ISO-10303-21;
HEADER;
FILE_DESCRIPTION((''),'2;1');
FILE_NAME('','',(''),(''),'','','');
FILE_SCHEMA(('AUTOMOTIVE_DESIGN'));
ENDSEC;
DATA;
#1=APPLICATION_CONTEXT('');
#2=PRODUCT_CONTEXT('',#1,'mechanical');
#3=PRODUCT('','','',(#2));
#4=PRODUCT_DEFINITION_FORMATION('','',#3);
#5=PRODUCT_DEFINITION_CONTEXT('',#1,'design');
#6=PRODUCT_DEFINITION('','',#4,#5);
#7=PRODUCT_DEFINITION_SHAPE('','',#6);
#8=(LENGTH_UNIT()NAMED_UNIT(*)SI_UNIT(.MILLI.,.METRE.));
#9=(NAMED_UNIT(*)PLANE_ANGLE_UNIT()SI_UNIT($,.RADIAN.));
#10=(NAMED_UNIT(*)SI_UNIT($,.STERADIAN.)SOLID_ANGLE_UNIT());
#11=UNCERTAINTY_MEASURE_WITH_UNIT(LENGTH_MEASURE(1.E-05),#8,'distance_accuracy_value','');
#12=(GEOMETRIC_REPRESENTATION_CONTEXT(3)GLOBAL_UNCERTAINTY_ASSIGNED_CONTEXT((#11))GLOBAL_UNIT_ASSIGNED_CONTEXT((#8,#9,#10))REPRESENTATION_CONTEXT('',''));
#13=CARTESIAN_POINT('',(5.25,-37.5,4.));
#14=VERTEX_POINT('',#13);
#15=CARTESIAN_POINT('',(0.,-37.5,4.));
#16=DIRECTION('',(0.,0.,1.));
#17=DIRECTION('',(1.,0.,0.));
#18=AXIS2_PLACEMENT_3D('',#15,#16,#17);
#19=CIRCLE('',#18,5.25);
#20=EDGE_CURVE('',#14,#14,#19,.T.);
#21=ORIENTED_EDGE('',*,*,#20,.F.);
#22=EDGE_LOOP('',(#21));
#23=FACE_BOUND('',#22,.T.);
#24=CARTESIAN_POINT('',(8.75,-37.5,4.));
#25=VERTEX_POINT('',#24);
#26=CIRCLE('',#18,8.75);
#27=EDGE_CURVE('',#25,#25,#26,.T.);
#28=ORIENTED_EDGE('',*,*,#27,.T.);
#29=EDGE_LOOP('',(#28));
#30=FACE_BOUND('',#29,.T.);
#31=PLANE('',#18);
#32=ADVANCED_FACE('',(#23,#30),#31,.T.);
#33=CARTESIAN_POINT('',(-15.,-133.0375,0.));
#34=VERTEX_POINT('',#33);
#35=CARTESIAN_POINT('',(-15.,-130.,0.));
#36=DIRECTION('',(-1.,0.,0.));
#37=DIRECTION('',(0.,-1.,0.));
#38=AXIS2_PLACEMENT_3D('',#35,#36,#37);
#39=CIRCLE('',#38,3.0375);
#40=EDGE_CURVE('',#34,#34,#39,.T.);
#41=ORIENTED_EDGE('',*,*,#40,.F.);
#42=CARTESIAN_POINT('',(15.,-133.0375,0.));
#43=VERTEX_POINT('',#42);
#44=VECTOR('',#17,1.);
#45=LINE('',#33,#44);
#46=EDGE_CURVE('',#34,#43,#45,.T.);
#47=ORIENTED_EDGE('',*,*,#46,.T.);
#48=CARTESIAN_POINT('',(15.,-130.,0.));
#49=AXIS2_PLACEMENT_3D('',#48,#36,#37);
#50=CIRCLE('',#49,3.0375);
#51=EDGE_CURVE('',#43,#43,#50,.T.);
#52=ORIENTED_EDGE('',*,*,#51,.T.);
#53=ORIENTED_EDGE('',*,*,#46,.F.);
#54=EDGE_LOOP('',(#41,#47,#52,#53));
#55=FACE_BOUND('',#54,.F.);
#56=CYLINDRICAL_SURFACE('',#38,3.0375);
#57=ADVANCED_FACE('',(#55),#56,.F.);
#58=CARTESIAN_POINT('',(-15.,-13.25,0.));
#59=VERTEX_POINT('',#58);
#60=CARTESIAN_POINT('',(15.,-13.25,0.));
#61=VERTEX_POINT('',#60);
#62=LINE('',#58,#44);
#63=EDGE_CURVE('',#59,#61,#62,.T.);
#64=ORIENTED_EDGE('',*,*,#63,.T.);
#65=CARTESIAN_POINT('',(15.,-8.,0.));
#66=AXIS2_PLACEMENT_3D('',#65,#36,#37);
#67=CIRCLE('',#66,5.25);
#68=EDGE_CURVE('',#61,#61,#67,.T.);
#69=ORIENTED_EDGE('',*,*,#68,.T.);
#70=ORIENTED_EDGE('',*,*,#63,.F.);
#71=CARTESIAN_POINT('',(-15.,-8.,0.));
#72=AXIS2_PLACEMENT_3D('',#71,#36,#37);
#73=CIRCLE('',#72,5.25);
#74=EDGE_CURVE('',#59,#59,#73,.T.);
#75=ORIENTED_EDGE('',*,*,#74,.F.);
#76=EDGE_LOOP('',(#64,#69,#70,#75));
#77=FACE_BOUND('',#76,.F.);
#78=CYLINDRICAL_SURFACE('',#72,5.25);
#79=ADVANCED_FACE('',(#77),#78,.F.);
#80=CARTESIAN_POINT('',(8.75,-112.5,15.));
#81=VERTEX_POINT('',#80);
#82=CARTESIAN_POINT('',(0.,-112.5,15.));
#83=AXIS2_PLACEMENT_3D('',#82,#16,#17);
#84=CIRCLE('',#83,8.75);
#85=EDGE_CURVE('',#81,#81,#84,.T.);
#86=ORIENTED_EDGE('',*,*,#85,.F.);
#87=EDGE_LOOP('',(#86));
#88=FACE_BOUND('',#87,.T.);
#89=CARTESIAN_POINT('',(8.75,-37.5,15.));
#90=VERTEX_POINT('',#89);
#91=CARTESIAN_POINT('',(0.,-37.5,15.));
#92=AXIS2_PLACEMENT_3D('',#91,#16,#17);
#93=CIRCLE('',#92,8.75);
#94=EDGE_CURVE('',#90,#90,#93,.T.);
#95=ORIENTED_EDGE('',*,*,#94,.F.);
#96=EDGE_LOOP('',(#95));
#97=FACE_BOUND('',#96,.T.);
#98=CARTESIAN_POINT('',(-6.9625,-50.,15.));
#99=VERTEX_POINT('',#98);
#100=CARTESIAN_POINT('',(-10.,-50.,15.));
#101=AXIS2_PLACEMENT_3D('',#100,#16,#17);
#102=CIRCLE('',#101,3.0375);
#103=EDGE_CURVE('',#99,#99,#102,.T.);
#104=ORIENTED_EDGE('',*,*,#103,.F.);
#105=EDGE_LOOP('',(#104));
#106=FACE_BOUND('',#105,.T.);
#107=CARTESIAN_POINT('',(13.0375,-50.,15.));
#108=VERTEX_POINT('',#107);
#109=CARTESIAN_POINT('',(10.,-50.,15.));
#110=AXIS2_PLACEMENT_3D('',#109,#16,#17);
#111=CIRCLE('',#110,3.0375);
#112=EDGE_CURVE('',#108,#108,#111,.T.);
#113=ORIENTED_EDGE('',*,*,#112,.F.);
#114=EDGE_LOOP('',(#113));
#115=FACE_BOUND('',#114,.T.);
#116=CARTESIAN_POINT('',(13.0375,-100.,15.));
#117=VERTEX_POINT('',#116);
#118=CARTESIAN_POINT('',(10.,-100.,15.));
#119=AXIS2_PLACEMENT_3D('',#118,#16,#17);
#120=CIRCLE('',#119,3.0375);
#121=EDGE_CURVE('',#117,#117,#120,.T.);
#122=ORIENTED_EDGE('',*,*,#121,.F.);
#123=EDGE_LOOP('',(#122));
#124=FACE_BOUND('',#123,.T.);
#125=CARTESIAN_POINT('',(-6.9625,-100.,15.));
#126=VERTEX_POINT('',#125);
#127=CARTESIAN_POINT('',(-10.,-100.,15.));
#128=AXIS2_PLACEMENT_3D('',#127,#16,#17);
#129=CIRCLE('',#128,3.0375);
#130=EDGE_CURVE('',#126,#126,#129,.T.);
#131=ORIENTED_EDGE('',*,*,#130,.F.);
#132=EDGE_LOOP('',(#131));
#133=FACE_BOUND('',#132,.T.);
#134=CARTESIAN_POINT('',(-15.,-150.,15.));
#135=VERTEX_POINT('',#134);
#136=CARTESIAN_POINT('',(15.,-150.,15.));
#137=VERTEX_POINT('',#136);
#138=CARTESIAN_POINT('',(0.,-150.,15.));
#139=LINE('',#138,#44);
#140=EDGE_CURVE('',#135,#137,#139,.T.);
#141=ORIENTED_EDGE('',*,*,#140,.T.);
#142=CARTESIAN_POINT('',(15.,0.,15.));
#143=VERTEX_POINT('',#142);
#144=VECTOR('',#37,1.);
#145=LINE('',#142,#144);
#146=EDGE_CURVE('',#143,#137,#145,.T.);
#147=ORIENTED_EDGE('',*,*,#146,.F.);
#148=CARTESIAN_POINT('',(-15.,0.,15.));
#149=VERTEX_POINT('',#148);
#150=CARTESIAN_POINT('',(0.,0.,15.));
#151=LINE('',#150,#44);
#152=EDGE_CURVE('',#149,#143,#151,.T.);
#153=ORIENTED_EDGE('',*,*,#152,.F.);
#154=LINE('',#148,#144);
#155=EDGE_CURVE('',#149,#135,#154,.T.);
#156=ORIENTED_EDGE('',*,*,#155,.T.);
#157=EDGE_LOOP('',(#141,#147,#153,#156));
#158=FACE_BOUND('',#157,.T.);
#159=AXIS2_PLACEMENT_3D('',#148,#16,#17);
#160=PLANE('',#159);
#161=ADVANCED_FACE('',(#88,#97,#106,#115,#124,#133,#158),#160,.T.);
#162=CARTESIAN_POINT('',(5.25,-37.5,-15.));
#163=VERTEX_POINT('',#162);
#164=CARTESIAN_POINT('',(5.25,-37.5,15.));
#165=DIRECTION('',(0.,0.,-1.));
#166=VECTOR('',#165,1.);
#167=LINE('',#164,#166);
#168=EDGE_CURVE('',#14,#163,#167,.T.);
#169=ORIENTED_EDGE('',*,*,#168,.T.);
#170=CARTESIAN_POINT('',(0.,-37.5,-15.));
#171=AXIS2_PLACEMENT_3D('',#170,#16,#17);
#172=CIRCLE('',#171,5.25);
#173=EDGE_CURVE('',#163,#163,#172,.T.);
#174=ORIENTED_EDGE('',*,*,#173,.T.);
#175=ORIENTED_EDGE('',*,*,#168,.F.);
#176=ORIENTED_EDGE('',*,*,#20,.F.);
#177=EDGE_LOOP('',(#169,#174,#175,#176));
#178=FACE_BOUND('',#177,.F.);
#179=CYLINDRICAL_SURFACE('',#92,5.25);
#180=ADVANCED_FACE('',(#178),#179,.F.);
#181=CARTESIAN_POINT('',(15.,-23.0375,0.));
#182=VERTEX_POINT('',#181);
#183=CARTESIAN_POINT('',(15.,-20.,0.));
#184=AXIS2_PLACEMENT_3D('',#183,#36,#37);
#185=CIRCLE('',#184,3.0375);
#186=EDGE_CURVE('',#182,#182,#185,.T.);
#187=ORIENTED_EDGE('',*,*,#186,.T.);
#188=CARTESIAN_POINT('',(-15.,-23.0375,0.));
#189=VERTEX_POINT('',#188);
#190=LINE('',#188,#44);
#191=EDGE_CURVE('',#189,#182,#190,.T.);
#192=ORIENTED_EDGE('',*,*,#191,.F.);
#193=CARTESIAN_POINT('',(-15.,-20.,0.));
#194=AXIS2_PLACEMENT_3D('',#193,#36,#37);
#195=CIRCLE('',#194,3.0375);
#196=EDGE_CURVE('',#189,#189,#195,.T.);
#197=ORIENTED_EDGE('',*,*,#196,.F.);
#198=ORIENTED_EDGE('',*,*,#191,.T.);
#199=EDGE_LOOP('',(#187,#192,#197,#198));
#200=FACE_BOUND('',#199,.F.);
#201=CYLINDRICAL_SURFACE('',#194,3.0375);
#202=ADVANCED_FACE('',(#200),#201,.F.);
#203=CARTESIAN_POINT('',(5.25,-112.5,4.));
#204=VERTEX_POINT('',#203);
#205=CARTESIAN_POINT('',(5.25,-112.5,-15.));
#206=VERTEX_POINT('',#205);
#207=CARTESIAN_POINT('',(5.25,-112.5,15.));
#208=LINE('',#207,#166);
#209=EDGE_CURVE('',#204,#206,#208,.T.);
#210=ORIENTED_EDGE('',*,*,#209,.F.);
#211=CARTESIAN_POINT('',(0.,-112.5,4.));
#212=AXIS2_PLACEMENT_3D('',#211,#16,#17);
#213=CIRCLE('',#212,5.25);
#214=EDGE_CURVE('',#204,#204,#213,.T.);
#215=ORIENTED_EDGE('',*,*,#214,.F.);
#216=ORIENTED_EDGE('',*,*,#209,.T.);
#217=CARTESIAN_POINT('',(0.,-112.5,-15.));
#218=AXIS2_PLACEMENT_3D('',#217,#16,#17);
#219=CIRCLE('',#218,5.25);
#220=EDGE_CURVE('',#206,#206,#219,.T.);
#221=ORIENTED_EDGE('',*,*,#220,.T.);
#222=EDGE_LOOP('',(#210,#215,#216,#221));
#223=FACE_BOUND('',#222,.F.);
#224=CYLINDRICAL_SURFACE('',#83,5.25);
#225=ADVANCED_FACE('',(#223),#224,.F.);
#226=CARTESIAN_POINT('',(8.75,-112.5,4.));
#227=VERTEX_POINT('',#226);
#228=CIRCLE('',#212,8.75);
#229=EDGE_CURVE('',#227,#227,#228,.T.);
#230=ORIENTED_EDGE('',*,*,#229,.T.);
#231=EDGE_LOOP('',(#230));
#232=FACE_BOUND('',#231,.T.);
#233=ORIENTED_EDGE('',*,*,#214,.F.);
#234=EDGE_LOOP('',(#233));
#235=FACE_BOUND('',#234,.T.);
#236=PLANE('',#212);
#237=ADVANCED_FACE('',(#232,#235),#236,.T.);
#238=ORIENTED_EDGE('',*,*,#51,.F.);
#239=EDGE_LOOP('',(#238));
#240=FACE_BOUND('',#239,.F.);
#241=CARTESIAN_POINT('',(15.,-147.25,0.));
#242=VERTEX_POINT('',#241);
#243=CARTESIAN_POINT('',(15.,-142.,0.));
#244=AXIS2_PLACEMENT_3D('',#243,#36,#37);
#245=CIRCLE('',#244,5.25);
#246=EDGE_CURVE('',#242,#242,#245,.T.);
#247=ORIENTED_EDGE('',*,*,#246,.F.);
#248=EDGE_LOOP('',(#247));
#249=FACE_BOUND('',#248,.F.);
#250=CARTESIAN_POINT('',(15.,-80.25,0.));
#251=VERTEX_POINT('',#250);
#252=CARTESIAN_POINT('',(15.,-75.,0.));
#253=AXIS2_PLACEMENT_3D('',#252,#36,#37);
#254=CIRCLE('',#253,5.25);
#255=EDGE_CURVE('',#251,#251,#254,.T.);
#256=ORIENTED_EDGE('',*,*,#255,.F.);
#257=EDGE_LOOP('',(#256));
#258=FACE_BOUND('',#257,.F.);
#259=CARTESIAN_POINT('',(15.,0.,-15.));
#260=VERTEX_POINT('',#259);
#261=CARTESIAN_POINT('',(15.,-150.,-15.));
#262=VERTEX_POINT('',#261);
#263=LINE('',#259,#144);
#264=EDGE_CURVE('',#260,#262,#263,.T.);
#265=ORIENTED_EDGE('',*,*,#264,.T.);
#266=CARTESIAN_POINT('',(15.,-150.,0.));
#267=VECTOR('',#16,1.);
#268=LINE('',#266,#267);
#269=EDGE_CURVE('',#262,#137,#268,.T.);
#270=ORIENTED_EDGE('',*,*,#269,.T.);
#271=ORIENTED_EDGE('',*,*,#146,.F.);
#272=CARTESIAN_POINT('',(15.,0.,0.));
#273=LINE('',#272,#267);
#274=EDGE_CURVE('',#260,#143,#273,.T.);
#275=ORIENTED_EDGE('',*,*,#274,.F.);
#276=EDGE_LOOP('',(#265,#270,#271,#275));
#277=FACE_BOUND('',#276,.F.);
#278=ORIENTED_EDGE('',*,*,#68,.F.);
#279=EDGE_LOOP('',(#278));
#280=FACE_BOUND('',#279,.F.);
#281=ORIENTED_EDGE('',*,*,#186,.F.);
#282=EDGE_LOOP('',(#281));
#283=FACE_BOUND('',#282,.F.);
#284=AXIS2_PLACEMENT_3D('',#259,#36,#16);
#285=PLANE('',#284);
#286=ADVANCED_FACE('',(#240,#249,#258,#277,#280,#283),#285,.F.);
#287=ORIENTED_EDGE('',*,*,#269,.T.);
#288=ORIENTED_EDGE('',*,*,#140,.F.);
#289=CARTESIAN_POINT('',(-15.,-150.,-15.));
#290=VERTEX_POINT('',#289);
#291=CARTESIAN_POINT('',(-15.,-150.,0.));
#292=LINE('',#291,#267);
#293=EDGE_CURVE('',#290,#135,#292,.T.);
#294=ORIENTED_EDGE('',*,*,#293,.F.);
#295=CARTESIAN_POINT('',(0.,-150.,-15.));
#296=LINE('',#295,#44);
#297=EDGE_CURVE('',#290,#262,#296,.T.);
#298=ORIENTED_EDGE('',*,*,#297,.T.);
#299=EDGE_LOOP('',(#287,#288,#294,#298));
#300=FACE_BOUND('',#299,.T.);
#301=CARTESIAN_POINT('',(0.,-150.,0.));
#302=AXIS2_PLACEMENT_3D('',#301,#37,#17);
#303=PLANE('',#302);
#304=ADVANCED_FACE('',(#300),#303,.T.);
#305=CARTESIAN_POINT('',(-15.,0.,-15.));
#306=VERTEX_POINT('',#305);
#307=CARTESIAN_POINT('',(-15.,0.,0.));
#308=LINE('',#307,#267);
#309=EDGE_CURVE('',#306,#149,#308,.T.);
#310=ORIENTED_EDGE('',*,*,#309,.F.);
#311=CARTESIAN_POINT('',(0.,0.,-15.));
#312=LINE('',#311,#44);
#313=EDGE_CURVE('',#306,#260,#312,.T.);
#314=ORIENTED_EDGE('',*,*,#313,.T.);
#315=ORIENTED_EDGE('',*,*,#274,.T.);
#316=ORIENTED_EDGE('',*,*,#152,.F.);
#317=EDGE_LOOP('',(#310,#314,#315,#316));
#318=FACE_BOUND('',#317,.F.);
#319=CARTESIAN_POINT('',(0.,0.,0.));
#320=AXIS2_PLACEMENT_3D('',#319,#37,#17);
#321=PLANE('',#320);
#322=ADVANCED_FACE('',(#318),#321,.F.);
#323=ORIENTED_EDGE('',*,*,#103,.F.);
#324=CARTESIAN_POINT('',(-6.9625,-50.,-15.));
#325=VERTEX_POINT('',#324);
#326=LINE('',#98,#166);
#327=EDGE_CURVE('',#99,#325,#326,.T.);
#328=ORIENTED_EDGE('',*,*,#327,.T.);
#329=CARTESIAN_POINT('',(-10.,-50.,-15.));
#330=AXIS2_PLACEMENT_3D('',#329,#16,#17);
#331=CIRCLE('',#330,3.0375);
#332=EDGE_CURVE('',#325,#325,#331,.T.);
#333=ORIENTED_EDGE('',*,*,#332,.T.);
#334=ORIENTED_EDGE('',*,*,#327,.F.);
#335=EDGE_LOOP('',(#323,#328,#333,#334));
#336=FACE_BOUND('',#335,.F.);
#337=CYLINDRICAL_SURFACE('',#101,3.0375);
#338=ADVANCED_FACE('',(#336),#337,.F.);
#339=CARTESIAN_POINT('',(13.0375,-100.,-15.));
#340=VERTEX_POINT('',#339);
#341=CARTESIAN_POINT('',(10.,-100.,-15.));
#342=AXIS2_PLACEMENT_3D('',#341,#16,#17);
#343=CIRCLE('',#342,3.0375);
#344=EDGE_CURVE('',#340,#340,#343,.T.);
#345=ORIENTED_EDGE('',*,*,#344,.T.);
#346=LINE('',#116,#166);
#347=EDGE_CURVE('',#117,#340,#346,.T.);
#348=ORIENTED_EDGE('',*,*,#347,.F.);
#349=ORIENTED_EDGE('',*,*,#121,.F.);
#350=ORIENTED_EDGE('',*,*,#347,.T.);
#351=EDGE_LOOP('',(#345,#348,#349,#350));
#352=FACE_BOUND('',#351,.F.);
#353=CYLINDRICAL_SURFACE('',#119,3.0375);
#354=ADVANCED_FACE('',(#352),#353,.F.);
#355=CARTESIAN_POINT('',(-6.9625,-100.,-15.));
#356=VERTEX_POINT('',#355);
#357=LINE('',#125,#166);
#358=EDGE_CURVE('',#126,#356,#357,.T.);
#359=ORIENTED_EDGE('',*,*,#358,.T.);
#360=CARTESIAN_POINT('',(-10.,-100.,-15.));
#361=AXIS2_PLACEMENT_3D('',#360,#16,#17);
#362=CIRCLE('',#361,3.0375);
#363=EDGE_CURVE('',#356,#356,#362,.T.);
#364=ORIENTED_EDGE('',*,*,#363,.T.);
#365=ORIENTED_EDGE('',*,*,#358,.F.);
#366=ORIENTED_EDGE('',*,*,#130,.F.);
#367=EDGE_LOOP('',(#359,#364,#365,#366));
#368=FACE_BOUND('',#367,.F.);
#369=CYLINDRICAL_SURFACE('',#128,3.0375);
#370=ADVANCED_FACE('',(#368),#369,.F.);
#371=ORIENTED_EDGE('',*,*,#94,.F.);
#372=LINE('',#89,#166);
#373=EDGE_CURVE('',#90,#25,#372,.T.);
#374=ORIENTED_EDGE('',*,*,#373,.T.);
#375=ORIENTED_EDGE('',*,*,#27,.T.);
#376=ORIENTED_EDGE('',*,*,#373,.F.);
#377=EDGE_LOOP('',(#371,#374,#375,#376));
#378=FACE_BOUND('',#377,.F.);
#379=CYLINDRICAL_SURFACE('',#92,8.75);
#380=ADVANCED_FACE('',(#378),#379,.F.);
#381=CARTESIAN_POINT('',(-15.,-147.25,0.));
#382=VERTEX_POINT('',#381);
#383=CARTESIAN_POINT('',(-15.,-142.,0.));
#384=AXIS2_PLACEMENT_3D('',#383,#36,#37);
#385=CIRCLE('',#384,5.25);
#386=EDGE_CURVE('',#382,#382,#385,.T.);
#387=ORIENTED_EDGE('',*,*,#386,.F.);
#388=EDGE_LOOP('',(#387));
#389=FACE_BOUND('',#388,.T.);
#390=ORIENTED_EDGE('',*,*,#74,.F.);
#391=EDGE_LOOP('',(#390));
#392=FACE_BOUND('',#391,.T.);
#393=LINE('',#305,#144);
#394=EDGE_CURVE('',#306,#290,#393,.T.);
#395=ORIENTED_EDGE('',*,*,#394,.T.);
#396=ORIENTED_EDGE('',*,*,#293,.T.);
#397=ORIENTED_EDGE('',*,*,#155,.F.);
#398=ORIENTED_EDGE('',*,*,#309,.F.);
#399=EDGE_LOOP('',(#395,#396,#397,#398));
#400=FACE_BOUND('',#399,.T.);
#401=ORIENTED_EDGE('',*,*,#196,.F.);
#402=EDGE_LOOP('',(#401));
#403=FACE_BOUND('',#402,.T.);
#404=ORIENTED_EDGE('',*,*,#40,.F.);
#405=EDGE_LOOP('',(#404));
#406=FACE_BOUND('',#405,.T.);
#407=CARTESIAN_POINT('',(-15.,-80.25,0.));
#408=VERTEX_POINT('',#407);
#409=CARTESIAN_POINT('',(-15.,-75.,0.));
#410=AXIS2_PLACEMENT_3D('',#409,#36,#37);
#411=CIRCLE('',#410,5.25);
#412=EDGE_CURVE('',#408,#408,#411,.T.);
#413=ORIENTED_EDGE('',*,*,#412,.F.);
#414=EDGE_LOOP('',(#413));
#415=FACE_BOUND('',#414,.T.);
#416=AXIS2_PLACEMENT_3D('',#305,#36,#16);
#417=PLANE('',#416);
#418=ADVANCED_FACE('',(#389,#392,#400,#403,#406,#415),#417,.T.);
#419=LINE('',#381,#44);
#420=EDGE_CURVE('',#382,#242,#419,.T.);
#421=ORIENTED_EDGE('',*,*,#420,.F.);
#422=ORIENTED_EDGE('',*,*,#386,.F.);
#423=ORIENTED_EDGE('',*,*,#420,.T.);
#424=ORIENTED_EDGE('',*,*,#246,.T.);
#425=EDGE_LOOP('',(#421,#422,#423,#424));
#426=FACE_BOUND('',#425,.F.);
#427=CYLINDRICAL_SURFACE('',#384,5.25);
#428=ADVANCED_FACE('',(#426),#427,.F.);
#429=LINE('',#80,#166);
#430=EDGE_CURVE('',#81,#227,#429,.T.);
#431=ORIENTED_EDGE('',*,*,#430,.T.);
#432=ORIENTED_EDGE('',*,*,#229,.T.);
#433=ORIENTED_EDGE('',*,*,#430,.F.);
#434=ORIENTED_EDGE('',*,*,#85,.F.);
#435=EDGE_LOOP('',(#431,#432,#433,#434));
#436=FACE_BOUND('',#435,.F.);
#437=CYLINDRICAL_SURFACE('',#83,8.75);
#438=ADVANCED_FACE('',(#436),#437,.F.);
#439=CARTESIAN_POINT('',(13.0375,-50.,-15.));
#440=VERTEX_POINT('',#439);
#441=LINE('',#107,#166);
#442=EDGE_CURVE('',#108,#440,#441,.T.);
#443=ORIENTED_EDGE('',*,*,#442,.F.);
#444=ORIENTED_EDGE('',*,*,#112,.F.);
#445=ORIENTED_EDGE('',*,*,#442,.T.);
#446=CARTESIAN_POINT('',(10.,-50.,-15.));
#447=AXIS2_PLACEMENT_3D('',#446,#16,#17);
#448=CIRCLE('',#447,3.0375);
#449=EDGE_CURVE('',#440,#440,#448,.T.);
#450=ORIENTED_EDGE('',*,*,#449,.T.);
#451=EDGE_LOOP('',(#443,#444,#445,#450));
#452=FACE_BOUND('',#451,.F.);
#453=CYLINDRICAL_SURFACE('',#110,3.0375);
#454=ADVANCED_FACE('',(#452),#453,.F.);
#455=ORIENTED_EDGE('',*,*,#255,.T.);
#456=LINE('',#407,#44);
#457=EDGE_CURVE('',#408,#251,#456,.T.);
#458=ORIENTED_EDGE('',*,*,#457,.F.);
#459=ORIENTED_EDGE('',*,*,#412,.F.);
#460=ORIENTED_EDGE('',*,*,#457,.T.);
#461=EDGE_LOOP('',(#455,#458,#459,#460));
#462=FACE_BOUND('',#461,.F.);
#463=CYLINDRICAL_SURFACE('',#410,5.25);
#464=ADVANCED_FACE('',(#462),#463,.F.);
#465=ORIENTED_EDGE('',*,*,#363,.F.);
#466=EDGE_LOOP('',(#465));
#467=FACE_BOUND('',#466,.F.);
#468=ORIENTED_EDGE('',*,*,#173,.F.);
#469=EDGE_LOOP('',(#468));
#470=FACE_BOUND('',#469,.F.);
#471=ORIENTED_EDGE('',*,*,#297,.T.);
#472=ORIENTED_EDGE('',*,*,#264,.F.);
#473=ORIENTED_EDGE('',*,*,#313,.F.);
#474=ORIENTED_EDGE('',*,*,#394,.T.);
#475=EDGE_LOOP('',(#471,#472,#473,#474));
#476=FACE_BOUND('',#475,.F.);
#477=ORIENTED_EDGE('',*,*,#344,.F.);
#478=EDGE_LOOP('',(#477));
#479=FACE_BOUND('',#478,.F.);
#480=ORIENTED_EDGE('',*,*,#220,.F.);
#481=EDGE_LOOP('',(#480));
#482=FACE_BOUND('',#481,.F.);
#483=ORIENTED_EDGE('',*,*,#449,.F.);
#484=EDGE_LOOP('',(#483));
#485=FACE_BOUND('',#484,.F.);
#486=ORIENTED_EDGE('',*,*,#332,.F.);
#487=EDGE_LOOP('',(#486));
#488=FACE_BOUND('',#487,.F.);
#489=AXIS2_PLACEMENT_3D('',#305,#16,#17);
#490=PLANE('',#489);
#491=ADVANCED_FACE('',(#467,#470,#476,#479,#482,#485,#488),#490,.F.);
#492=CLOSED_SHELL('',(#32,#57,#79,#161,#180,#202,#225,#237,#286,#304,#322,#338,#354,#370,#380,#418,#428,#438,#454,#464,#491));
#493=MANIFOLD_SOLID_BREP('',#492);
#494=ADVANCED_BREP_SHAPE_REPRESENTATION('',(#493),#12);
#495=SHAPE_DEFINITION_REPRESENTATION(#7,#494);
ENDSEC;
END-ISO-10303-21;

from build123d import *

# Parameters (mm, degrees)
F0_W     = 30
F0_H     = 30
F1_DEPTH = 150
F2_R     = 5.25
F3_DEPTH = 30.001
F4_R     = 5.25
F4_R_2   = 3.0375
F5_DEPTH = 30.001
F6_R     = 8.75
F7_DEPTH = 11
F8_R     = 3.0375
F9_DEPTH = 30.001


with BuildPart() as f1:
    # F0 (on Front) → F1 (new body)
    with BuildSketch(Plane.XZ):
        Rectangle(F0_W, F0_H)
    extrude(amount=F1_DEPTH)

    # F2 (on face) → F3 (cut, through all)
    with BuildSketch(Plane(origin=(-15, 0, 0), x_dir=(0, -1, 0), z_dir=(-1, 0, 0))):
        with Locations((8, 0)):
            Circle(F2_R)
        with Locations((75, 0)):
            Circle(F2_R)
        with Locations((142, 0)):
            Circle(F2_R)
    extrude(amount=-F3_DEPTH, mode=Mode.SUBTRACT)

    # F4 (on face) → F5 (cut, through all)
    with BuildSketch(Plane.XY.offset(15)):
        with Locations((0, -37.5)):
            Circle(F4_R)
        with Locations((10, -50)):
            Circle(F4_R_2)
        with Locations((0, -112.5)):
            Circle(F4_R)
        with Locations((10, -100)):
            Circle(F4_R_2)
        with Locations((-10, -50)):
            Circle(F4_R_2)
        with Locations((-10, -100)):
            Circle(F4_R_2)
    extrude(amount=-F5_DEPTH, mode=Mode.SUBTRACT)

    # F6 (on face) → F7 (cut)
    with BuildSketch(Plane.XY.offset(15)):
        with Locations((0, -37.5)):
            Circle(F6_R)
        with Locations((0, -112.5)):
            Circle(F6_R)
    extrude(amount=-F7_DEPTH, mode=Mode.SUBTRACT)

    # F8 (on face) → F9 (cut, through all)
    with BuildSketch(Plane(origin=(-15, 0, 0), x_dir=(0, -1, 0), z_dir=(-1, 0, 0))):
        with Locations((20, 0)):
            Circle(F8_R)
        with Locations((130, 0)):
            Circle(F8_R)
    extrude(amount=-F9_DEPTH, mode=Mode.SUBTRACT)


solid = f1.part
